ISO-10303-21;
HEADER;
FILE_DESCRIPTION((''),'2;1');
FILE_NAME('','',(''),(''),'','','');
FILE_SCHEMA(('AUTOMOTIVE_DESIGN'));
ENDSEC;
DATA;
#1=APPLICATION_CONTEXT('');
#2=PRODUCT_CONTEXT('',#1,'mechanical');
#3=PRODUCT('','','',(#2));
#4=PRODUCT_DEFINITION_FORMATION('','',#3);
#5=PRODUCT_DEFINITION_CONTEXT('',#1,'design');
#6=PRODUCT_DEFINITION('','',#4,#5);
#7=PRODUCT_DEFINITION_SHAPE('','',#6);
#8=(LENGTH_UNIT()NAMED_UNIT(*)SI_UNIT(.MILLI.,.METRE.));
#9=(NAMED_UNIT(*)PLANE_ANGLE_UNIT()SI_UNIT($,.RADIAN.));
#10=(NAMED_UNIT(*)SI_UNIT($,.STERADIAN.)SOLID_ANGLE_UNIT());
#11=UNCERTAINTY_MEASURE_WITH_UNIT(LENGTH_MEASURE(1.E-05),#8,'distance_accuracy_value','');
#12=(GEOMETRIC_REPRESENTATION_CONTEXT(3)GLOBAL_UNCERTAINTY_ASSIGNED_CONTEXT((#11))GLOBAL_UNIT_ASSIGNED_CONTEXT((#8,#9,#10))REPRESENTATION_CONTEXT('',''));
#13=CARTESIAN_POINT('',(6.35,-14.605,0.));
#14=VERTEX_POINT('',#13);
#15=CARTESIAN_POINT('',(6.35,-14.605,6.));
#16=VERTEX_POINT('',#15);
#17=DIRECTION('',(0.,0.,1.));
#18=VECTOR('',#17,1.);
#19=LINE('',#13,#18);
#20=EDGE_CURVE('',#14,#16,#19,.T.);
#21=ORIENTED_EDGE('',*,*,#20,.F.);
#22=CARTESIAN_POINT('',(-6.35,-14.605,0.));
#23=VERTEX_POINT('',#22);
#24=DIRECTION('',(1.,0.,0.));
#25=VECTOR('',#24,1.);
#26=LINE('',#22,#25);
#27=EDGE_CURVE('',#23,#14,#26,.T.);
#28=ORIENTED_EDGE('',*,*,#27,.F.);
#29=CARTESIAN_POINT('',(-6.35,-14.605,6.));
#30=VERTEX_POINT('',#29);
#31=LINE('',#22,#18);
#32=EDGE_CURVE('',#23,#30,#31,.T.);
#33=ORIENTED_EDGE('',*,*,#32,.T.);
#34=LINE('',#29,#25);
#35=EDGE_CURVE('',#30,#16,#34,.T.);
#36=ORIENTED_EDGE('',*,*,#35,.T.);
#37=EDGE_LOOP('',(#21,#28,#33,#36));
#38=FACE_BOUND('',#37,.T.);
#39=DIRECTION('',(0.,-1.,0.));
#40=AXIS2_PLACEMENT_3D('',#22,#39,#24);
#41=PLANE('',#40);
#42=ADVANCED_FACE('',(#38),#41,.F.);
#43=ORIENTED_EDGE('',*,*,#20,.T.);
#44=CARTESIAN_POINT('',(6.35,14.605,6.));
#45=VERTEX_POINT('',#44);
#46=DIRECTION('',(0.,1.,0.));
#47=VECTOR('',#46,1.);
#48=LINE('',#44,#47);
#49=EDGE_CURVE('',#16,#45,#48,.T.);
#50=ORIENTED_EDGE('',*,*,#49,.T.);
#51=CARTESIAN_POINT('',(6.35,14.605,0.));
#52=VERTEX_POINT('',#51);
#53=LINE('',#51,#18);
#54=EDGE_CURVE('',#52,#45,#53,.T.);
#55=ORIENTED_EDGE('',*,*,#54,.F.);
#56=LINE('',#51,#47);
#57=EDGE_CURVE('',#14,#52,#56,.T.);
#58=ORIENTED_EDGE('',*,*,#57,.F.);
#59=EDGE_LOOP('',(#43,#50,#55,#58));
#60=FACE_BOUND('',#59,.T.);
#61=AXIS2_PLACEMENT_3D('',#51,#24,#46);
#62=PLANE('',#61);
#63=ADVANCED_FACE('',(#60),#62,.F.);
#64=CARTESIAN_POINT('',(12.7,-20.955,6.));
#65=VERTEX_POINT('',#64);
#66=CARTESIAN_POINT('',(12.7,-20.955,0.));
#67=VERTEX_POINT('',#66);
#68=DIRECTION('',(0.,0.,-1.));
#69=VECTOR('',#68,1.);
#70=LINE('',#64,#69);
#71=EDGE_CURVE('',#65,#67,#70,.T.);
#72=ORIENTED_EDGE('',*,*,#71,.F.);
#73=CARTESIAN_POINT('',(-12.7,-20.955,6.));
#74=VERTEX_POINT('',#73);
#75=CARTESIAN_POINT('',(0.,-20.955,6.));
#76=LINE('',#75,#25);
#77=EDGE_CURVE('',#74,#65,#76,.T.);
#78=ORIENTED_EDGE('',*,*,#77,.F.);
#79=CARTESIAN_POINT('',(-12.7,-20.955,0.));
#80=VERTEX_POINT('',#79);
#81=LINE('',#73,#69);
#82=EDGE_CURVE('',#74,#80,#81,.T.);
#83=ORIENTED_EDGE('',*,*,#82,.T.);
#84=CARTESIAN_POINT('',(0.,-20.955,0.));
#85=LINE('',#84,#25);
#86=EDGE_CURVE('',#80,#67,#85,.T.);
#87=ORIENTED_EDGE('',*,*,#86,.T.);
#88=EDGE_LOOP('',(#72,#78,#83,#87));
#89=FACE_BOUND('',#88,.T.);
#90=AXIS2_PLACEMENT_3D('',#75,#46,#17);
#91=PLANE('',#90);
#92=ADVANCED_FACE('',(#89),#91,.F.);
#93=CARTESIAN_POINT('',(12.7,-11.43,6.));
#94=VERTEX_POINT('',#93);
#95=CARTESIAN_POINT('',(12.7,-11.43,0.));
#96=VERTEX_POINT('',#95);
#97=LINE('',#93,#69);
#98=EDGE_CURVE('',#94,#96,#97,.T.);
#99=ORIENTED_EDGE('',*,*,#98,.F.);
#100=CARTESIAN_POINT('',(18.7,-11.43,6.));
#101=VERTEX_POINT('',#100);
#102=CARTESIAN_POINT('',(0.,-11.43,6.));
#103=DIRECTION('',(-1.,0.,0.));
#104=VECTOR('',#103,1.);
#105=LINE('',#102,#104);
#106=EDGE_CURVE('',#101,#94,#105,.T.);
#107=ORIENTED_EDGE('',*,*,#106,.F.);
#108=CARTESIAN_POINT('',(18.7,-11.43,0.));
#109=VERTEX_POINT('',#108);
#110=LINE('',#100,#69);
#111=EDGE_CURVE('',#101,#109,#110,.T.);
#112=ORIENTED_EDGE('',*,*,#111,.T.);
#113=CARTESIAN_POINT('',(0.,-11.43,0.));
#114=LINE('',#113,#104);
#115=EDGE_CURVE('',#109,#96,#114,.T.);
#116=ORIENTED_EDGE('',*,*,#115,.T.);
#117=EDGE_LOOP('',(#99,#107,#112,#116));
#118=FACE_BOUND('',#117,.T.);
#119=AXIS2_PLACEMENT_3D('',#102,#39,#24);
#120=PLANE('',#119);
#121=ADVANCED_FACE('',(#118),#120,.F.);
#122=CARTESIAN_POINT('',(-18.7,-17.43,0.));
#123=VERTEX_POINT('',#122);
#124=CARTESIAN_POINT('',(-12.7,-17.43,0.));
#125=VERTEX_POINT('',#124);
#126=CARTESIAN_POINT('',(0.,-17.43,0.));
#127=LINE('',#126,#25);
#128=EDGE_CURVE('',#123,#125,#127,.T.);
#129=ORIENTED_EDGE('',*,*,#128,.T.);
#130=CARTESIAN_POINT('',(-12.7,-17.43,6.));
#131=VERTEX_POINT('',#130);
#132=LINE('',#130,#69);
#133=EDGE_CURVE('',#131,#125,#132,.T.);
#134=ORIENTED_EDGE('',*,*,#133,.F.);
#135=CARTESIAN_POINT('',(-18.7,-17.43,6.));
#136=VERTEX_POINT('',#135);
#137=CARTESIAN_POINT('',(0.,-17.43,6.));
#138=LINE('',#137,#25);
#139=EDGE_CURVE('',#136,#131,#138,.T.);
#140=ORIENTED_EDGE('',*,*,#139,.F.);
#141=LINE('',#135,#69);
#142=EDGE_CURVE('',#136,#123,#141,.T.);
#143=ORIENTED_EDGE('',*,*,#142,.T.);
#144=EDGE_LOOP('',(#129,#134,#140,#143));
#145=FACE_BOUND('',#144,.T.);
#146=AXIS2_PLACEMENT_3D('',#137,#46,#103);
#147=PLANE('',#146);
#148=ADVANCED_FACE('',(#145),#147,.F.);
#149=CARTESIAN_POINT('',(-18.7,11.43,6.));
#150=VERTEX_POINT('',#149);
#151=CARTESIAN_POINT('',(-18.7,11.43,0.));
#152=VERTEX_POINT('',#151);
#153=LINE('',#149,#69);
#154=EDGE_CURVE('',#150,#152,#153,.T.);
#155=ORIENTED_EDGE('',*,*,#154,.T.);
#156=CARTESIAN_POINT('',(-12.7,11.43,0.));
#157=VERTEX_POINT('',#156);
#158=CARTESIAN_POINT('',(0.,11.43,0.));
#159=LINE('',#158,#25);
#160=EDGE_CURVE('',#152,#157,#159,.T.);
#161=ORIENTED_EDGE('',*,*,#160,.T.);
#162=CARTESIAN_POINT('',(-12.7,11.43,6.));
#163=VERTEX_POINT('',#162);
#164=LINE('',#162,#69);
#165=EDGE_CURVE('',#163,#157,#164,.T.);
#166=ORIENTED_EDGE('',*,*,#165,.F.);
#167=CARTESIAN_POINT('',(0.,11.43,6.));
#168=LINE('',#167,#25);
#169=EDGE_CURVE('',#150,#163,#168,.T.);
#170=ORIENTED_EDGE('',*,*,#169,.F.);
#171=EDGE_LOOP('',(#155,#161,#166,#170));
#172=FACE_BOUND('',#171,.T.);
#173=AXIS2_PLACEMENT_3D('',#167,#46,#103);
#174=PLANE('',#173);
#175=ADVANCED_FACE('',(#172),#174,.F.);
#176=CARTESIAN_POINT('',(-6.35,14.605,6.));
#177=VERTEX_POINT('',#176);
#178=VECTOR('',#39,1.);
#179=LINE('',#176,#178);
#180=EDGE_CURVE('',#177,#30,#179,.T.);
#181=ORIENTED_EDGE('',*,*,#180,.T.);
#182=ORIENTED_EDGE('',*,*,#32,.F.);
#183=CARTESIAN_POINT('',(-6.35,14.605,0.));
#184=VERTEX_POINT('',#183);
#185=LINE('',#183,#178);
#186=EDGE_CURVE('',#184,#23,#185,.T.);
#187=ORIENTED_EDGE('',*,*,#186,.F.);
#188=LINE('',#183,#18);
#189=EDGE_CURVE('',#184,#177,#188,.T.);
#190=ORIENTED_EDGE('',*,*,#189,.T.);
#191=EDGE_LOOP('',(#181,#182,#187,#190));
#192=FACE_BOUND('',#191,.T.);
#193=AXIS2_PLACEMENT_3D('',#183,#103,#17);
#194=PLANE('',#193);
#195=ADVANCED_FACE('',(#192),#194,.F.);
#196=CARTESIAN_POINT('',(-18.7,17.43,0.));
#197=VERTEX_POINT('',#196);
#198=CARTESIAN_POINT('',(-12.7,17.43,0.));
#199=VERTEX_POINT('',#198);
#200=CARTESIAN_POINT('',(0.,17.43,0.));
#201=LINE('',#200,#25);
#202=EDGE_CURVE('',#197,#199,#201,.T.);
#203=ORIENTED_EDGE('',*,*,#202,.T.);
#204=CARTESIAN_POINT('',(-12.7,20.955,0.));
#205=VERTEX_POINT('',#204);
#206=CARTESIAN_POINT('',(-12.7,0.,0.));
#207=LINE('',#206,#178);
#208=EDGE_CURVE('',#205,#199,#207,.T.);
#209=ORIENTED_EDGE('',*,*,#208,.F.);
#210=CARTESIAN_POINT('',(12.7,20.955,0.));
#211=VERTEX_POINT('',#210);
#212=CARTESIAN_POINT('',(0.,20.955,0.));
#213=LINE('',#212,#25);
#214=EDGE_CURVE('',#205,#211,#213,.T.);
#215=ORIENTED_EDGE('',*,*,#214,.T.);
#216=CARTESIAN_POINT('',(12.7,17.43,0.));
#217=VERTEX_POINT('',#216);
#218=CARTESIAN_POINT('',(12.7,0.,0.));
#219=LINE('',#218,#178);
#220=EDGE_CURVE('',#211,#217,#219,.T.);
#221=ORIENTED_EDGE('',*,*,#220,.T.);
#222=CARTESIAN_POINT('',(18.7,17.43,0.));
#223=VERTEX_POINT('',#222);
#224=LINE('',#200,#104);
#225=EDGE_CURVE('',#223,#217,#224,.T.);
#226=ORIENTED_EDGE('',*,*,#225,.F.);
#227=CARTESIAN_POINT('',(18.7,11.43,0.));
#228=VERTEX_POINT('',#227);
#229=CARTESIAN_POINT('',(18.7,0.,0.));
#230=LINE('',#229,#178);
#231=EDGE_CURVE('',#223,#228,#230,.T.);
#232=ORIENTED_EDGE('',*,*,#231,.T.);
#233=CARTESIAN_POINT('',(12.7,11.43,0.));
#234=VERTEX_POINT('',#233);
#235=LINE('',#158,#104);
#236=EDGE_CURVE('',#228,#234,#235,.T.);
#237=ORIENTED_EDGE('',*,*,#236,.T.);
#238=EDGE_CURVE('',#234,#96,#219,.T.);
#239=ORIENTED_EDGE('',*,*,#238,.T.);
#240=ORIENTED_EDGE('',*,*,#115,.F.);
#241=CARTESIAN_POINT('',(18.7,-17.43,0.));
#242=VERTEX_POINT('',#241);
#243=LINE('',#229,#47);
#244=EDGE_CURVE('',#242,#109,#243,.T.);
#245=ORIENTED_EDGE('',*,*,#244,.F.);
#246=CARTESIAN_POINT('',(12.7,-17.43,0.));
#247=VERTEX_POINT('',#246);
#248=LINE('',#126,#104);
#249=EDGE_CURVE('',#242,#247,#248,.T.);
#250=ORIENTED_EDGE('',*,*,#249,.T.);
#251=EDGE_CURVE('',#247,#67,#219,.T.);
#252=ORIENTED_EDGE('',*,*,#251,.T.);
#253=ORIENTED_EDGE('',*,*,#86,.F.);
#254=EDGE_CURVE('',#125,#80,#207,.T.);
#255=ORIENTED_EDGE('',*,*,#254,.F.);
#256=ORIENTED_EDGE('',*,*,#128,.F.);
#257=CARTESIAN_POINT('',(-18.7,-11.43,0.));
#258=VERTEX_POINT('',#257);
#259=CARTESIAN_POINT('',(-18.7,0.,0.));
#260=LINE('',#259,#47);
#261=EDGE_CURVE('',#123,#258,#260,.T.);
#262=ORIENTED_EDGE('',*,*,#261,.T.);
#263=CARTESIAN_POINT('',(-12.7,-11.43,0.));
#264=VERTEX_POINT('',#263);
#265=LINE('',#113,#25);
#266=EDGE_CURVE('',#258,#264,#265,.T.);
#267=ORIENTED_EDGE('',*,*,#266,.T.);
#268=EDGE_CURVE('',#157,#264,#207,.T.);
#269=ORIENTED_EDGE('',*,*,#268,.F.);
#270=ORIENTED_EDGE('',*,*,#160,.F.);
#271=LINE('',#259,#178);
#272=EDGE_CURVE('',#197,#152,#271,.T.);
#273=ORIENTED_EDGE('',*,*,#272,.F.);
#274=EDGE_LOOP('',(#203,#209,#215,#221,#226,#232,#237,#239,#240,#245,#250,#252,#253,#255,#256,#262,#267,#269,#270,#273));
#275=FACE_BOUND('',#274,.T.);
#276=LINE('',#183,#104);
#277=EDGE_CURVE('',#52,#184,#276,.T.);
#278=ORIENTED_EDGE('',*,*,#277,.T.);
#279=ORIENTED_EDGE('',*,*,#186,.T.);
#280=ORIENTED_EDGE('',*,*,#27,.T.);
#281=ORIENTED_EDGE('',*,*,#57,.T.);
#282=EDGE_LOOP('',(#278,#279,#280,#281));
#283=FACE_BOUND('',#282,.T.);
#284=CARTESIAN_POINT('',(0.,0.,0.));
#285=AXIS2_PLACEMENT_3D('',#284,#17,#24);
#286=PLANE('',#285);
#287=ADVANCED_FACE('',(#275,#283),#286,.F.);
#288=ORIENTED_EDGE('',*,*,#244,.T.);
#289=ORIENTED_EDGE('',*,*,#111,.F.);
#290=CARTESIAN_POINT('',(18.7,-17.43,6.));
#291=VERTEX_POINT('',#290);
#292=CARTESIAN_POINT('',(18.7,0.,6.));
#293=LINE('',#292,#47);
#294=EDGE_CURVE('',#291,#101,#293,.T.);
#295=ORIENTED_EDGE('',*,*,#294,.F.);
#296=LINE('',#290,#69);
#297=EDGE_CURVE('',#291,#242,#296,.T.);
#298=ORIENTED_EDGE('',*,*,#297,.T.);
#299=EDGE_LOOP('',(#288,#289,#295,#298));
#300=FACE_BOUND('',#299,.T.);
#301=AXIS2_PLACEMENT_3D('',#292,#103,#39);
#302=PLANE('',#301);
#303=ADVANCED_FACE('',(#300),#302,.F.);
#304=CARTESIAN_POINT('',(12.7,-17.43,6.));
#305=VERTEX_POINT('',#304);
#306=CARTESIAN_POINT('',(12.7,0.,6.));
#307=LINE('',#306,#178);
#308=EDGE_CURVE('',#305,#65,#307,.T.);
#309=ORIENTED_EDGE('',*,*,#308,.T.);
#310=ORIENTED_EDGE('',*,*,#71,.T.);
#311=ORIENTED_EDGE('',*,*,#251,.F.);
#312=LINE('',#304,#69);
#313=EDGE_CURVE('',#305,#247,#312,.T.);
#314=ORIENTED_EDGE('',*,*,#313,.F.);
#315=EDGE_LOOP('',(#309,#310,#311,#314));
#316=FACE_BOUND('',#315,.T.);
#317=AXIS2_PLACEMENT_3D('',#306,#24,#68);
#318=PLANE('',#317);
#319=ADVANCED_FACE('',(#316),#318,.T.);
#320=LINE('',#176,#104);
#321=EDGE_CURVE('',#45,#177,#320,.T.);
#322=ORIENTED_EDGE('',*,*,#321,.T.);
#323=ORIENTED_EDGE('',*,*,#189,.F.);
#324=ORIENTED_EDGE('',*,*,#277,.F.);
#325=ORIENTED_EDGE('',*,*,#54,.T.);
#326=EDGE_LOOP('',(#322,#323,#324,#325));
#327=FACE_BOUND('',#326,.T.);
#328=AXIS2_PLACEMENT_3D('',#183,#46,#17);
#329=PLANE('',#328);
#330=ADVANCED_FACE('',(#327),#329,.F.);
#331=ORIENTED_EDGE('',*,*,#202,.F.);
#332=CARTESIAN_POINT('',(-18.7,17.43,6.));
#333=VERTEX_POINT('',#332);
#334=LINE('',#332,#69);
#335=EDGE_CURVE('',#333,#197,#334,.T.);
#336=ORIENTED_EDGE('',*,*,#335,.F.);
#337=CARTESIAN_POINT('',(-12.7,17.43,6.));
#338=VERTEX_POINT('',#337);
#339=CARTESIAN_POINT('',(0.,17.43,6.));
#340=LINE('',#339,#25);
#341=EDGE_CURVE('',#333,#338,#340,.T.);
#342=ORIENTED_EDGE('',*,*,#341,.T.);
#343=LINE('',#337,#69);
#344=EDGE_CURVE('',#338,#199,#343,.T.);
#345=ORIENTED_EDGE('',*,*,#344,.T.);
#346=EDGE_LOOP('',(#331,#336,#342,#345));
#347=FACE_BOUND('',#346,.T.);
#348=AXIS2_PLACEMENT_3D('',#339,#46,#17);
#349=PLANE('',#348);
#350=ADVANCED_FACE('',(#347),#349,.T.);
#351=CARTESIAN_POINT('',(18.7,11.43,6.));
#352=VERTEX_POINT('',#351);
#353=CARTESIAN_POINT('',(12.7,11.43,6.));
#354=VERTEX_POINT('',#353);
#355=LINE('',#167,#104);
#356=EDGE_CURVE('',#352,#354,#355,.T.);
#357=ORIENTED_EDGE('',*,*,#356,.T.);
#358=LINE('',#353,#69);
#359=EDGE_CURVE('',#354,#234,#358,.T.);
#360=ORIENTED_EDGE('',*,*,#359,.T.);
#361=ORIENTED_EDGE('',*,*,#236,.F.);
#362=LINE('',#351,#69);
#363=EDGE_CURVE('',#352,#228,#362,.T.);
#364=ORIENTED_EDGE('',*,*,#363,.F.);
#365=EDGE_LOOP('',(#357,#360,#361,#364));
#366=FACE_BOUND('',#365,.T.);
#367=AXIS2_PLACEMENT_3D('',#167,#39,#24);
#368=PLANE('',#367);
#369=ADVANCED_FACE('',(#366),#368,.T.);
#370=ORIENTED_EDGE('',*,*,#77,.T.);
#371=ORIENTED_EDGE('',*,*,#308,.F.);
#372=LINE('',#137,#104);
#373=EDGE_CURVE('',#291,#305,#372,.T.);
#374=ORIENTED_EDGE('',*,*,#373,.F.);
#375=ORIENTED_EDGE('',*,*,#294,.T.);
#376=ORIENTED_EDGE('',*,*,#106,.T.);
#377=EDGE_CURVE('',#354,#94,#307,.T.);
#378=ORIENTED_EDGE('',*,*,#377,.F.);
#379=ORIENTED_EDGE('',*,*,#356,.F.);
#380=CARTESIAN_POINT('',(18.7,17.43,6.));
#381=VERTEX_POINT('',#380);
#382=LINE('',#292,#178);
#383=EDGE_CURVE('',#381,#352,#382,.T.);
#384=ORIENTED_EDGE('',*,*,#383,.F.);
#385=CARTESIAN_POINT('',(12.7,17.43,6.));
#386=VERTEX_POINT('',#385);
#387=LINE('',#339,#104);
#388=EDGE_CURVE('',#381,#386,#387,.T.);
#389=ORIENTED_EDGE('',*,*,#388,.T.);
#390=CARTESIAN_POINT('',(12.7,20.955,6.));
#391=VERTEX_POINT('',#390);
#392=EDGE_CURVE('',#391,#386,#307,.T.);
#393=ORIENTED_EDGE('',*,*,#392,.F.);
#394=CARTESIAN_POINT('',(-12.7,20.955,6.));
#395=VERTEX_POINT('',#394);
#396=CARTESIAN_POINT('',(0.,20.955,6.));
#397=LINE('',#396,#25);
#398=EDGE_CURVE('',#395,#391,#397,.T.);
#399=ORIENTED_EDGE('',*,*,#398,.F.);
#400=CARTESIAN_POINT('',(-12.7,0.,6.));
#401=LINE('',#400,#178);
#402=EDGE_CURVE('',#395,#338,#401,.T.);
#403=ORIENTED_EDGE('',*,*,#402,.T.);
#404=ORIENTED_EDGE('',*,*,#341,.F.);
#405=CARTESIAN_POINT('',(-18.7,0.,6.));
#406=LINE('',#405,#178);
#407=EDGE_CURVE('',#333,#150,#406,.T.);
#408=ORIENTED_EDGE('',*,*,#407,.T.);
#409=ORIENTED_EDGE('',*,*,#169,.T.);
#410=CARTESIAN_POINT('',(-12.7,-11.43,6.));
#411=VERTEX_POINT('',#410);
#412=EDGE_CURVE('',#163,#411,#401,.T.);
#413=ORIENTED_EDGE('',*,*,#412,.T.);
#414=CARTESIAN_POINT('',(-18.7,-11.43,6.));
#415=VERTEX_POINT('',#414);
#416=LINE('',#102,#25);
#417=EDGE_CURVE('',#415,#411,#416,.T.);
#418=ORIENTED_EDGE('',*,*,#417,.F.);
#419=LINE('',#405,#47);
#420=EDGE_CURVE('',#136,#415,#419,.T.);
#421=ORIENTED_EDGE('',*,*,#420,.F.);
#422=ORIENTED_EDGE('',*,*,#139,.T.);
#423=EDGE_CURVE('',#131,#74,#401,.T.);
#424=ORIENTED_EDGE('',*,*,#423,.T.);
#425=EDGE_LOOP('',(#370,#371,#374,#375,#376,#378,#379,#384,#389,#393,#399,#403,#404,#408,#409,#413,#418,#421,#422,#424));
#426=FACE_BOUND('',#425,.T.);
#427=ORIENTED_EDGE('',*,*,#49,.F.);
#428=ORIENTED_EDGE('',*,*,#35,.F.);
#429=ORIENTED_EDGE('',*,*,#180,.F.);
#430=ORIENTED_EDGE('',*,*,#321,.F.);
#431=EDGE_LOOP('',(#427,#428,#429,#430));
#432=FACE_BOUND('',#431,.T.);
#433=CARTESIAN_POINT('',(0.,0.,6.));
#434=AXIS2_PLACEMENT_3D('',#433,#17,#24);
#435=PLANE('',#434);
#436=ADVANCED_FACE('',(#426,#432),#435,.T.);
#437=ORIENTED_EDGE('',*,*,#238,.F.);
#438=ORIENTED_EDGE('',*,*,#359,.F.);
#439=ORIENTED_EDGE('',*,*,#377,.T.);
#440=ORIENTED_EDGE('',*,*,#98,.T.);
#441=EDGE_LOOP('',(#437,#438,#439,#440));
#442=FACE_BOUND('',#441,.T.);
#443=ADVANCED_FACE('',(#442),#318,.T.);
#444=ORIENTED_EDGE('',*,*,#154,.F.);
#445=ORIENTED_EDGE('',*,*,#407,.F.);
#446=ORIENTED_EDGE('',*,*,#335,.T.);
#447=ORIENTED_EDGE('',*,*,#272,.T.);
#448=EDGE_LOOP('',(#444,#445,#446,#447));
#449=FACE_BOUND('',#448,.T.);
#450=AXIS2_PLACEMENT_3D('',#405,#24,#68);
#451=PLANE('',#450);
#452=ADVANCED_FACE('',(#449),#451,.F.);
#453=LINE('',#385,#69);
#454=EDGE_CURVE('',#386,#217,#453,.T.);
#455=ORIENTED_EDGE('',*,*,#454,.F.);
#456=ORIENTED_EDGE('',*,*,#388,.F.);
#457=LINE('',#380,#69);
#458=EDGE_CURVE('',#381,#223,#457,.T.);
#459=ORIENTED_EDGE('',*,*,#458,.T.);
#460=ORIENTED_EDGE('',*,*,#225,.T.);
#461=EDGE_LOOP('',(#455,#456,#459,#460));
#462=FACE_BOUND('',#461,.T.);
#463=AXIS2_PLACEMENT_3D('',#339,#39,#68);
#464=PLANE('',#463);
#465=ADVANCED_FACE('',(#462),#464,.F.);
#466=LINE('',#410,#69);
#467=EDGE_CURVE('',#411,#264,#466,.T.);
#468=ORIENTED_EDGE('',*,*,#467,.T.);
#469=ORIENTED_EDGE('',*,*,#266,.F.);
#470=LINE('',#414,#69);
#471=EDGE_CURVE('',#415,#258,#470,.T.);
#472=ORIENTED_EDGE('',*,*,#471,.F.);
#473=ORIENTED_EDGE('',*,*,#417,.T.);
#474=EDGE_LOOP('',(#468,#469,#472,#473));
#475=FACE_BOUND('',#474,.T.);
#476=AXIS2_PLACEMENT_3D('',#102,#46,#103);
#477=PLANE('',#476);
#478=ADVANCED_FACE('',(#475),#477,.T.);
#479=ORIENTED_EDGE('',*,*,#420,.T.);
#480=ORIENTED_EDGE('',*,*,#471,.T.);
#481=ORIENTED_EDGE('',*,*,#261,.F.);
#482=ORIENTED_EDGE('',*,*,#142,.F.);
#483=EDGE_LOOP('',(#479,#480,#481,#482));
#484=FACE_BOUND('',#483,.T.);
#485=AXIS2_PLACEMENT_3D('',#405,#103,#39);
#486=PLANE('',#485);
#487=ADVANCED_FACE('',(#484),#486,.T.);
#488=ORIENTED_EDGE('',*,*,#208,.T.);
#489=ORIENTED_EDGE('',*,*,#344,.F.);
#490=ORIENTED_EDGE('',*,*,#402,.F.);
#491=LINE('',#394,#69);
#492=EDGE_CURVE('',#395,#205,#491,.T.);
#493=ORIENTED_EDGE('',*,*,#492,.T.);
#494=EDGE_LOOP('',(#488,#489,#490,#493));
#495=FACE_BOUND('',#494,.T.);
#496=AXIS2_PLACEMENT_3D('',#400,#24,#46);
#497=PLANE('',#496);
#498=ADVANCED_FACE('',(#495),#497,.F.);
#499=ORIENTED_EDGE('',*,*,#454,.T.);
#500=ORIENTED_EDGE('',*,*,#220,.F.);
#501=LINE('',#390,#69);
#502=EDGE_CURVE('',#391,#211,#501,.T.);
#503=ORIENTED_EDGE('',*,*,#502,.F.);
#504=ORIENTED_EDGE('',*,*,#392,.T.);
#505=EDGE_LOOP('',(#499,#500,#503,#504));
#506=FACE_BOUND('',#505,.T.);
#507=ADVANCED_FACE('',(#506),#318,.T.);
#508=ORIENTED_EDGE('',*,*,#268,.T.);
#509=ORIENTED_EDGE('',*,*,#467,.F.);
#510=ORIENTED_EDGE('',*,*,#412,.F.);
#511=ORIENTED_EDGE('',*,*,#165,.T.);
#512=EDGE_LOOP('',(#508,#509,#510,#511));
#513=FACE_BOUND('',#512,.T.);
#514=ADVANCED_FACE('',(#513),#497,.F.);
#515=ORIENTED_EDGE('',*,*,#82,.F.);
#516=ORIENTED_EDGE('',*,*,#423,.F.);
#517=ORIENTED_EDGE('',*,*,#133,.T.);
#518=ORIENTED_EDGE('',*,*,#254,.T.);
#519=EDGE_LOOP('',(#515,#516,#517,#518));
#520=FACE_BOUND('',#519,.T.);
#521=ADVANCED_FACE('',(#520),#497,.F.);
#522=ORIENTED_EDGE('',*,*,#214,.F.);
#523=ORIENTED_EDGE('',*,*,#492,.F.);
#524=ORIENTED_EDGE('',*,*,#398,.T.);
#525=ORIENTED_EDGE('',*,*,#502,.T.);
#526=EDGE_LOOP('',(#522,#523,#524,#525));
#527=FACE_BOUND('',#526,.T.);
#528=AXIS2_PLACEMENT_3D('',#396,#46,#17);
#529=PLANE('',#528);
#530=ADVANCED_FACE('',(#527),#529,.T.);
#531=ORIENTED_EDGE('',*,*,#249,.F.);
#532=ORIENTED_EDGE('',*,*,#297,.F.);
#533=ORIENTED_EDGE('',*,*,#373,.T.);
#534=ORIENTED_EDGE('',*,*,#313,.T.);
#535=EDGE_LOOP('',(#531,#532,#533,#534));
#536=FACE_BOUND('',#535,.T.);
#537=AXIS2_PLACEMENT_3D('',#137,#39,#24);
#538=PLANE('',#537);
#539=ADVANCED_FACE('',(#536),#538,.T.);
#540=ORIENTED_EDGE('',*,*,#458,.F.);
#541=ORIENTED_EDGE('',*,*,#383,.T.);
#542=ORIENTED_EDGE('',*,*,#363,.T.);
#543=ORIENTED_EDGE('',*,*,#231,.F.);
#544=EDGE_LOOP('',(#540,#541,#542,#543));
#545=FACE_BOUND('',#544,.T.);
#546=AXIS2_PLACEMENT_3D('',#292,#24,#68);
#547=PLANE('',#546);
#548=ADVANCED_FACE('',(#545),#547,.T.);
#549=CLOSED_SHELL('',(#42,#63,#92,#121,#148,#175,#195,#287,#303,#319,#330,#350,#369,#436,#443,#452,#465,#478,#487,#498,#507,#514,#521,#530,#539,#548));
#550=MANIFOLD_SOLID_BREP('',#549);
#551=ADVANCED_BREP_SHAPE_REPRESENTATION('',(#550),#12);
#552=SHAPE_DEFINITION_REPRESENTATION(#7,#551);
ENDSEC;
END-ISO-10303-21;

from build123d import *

# Parameters (mm, degrees)
SKETCH1_W           = 6
SKETCH1_H           = 6
SKETCH1_W_2         = 25.4
SKETCH1_H_2         = 41.91
BOSS_EXTRUDE1_DEPTH = 6
SKETCH2_W           = 12.7
SKETCH2_H           = 29.21
CUT_EXTRUDE1_DEPTH  = 29.719366724


with BuildPart() as part:
    # Sketch1 → Boss-Extrude1 (new body)
    with BuildSketch(Plane.XY):
        with Locations((-15.7, 14.43)):
            Rectangle(SKETCH1_W, SKETCH1_H)
        Rectangle(SKETCH1_W_2, SKETCH1_H_2)
        with Locations((-15.7, -14.43)):
            Rectangle(SKETCH1_W, SKETCH1_H)
        with Locations((15.7, -14.43)):
            Rectangle(SKETCH1_W, SKETCH1_H)
        with Locations((15.7, 14.43)):
            Rectangle(SKETCH1_W, SKETCH1_H)
    extrude(amount=BOSS_EXTRUDE1_DEPTH)

    # Sketch2 → Cut-Extrude1 (cut, through all)
    with BuildSketch(Plane.XY.offset(6)):
        Rectangle(SKETCH2_W, SKETCH2_H)
    extrude(amount=-CUT_EXTRUDE1_DEPTH, mode=Mode.SUBTRACT)


solid = part.part
